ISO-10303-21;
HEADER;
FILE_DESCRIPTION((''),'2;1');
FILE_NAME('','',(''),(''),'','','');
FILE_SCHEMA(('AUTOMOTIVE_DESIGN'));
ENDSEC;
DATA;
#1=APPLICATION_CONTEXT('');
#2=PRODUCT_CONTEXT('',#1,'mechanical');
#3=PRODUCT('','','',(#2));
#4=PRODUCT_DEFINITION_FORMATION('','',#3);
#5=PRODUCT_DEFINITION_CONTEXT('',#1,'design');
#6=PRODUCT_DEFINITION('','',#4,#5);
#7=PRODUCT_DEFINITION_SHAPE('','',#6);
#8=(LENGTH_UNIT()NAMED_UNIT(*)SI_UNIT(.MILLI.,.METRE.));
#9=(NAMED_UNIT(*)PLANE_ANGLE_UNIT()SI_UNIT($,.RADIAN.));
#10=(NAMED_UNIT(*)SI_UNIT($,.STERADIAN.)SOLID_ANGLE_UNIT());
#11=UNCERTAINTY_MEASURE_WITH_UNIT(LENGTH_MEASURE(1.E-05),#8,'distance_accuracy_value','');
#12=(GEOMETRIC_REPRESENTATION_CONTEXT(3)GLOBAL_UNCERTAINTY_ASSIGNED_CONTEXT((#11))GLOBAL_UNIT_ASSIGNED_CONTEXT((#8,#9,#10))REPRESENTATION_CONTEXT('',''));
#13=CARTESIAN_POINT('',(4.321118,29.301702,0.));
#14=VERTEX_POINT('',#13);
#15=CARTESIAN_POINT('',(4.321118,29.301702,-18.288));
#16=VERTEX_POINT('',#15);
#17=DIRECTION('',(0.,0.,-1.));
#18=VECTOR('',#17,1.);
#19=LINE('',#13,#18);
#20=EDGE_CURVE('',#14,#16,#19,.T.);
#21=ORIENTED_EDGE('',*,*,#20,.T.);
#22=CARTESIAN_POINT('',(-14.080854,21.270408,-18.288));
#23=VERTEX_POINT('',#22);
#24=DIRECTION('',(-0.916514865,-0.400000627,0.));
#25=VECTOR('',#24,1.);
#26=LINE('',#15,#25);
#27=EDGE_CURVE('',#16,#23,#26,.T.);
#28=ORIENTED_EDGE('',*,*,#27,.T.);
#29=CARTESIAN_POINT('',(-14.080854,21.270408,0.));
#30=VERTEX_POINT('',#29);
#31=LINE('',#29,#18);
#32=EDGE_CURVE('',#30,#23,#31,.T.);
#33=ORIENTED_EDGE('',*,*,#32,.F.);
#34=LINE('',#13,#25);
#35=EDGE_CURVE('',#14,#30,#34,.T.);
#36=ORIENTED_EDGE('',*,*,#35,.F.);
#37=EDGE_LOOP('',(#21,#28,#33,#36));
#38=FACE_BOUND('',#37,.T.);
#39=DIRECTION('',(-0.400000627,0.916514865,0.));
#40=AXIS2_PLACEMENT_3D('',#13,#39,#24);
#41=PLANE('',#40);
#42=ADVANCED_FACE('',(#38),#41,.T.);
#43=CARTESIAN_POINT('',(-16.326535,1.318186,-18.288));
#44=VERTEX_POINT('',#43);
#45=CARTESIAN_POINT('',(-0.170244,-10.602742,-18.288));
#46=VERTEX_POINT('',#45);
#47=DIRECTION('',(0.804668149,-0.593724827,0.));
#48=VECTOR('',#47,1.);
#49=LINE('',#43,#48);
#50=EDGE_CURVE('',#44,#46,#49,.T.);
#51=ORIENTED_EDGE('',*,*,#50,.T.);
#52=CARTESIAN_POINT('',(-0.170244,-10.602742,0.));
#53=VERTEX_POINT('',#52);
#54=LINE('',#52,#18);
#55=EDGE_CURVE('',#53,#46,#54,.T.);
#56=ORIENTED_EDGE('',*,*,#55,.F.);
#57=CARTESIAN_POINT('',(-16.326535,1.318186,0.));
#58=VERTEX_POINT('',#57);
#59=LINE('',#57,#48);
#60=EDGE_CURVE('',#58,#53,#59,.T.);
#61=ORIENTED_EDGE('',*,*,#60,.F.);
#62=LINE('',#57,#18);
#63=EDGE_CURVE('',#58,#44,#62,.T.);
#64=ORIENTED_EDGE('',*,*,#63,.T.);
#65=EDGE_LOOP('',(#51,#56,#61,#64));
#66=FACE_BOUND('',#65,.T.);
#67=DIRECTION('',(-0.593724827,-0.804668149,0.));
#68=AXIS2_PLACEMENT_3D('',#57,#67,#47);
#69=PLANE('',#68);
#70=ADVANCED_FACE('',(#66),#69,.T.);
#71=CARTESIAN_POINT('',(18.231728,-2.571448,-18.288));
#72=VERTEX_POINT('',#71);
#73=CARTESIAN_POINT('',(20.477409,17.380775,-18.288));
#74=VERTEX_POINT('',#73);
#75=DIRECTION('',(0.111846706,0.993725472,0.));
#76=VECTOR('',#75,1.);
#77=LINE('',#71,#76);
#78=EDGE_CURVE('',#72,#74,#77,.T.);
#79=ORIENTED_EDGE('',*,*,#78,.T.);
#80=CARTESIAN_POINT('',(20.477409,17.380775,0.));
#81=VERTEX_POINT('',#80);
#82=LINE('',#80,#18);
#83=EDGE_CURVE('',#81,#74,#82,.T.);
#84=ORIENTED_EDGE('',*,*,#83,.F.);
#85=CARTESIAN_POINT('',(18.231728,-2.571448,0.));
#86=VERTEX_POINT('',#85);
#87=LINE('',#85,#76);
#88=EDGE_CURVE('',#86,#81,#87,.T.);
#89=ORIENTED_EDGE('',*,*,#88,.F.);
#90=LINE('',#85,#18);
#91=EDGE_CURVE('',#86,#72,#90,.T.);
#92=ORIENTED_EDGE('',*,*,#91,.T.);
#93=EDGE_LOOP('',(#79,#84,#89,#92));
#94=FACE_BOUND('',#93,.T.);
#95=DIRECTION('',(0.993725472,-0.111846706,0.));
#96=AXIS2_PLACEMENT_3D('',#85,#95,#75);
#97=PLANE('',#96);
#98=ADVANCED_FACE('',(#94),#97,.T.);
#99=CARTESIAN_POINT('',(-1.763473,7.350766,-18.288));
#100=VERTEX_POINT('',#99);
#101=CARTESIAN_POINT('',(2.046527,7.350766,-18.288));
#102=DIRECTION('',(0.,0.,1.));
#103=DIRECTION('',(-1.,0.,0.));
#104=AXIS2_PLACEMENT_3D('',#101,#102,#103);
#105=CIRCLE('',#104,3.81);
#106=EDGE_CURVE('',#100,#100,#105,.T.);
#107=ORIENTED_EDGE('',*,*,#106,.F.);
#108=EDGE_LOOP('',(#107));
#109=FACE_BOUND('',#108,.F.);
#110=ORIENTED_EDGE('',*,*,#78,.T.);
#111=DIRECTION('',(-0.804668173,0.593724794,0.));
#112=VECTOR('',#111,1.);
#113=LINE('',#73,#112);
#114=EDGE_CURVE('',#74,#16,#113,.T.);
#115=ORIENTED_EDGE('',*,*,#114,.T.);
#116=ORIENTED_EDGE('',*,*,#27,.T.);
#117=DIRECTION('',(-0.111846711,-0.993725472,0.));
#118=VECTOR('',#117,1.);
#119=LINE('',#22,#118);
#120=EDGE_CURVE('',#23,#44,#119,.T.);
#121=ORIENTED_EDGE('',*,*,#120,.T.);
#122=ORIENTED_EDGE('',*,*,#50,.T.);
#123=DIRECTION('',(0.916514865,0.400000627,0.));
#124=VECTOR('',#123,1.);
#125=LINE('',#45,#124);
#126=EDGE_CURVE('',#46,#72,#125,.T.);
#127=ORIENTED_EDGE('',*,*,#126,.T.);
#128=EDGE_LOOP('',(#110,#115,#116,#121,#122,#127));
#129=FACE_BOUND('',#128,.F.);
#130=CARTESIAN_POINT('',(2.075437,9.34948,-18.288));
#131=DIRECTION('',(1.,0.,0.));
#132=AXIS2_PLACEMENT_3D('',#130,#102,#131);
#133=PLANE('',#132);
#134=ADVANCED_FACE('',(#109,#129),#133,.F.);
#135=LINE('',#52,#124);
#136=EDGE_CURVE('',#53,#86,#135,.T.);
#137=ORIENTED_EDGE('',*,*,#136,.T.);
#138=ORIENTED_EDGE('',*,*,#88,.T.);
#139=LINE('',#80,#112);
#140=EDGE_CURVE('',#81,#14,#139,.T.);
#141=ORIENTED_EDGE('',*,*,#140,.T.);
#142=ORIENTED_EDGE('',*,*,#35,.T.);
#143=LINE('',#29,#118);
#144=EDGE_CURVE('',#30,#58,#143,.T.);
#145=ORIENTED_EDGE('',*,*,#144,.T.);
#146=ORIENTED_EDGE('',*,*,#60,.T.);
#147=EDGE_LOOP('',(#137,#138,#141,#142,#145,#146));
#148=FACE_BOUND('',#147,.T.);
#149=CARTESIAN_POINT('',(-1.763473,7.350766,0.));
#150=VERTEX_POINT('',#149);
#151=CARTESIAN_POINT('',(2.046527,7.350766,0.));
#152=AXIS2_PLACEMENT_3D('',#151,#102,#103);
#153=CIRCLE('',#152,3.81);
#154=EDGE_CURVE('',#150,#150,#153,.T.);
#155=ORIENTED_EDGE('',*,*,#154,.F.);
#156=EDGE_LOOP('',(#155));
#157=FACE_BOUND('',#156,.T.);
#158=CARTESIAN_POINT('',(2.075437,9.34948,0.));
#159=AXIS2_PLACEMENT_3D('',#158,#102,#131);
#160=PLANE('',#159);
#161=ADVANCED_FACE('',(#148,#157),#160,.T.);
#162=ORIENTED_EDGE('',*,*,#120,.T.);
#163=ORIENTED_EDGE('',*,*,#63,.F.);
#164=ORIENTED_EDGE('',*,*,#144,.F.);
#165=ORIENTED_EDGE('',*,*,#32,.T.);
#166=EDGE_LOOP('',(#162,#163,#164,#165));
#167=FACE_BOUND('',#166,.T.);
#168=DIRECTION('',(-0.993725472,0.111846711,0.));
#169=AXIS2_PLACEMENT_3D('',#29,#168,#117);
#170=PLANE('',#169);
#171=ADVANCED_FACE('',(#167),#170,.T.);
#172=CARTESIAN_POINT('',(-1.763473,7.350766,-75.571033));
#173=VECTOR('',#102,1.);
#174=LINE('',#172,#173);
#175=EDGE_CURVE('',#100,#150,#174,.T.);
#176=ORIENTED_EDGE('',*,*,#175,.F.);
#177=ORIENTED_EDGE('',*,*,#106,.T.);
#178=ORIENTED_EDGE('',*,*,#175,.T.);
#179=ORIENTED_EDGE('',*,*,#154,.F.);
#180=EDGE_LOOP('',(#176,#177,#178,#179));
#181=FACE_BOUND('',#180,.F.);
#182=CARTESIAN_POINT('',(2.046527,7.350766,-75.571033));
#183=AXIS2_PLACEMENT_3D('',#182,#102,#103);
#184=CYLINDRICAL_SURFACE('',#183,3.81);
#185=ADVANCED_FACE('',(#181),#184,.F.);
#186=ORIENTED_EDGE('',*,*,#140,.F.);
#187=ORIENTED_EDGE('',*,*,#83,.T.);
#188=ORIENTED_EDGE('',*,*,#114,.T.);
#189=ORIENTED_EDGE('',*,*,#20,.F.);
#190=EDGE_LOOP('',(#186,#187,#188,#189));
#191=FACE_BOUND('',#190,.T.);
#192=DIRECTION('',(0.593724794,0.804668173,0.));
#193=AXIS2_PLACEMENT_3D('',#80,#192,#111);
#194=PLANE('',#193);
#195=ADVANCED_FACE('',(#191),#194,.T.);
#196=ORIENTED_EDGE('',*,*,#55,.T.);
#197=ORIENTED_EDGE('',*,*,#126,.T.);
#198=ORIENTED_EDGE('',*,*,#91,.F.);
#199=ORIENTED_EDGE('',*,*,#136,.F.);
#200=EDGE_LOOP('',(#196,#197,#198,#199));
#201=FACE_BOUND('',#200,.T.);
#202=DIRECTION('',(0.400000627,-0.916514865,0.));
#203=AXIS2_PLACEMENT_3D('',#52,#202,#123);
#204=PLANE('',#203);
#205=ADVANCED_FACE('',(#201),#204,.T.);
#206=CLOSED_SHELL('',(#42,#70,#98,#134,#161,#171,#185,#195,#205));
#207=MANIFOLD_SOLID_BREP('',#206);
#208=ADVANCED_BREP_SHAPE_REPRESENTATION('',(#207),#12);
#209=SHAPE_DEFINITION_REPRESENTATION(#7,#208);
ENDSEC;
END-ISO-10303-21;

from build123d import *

# Parameters (mm, degrees)
F1_DEPTH = 18.288
F3_D     = 7.62


with BuildPart() as f1:
    # F0 (on Top) → F1 (new body)
    with BuildSketch(Plane.XY):
        Polygon((-16.326535, 1.318186), (-0.170244, -10.602742), (18.231728, -2.571448), (20.477409, 17.380775), (4.321118, 29.301702), (-14.080854, 21.270408), align=None)
    extrude(amount=-F1_DEPTH)

    # F3 (through all)
    with Locations(Plane(origin=(0, 0, -18.288), x_dir=(1, 0, 0), z_dir=(0, 0, -1))):
        with Locations((2.046527, -7.350766)):
            Hole(F3_D / 2)


solid = f1.part
